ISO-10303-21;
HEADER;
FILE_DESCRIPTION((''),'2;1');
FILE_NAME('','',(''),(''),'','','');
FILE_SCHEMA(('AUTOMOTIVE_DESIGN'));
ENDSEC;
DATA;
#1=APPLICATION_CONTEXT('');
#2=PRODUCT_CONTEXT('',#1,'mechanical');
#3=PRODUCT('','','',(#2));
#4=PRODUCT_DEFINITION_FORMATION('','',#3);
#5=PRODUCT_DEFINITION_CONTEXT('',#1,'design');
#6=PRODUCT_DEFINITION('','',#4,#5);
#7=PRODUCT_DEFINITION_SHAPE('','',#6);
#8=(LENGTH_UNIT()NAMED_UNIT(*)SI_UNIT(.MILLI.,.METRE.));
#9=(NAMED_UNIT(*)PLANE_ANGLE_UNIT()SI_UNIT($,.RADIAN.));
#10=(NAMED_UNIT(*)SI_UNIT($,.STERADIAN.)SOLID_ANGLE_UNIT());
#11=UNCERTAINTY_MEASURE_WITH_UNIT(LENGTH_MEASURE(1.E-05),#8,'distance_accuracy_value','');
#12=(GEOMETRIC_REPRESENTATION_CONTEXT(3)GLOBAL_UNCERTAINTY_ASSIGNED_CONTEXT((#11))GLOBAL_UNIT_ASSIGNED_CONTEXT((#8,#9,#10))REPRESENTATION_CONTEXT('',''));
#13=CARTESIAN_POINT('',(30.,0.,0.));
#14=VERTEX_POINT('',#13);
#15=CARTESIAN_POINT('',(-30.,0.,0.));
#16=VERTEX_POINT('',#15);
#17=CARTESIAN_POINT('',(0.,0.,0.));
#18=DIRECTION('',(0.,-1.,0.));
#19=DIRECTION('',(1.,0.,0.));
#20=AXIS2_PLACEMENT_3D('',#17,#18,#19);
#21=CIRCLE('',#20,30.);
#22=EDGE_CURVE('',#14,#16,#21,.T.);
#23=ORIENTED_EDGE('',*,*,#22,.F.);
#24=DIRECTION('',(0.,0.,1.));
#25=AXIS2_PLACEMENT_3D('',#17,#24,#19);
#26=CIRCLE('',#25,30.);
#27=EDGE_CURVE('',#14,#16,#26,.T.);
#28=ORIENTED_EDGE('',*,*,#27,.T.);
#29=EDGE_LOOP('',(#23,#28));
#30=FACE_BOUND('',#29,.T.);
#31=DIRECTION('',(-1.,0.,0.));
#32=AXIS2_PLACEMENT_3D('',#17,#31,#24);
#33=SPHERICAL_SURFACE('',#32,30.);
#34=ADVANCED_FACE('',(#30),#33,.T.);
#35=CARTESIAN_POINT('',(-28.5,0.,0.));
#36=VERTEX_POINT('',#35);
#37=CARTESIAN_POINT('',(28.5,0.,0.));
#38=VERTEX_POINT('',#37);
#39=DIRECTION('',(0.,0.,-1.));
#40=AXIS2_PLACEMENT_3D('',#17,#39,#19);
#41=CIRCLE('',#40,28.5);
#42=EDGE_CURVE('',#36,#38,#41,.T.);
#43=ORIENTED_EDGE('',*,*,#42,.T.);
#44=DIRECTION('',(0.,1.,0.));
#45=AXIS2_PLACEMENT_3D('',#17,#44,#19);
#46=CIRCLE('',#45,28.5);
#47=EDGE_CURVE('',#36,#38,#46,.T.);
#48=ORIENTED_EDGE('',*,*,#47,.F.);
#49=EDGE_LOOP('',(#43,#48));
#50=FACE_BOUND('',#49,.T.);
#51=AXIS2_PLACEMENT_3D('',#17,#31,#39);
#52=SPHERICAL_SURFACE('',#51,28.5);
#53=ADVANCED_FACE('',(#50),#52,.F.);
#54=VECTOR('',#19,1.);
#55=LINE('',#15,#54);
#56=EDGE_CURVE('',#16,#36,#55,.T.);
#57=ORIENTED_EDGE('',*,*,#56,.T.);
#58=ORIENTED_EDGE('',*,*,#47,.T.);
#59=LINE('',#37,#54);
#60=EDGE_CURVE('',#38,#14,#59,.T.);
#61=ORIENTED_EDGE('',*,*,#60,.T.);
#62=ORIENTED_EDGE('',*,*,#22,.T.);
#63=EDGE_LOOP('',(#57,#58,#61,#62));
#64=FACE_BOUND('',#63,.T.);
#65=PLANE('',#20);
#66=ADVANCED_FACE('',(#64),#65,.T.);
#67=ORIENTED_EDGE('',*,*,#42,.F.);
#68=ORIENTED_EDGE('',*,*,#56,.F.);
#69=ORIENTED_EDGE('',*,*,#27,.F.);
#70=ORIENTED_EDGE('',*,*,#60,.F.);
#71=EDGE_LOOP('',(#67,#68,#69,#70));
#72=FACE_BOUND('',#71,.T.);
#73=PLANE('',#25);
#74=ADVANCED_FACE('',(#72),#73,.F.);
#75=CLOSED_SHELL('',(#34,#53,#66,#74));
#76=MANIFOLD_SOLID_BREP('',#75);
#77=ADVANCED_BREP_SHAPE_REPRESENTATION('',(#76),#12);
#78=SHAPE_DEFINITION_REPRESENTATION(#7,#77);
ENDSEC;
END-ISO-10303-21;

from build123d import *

# Parameters (mm, degrees)
REVOLUCI_N1_ANGLE = 90


with BuildPart() as part:
    # Croquis1 → Revolución1 (revolve)
    with BuildSketch(Plane.XY):
        with BuildLine():
            Line((-30, 0), (-28.5, 0))
            ThreePointArc((-28.5, 0), (0, 28.5), (28.5, 0))
            Line((28.5, 0), (30, 0))
            ThreePointArc((30, 0), (0, 30), (-30, 0))
        make_face()
    revolve(axis=Axis((-30, 0, 0), (1, 0, 0)), revolution_arc=REVOLUCI_N1_ANGLE)


solid = part.part
